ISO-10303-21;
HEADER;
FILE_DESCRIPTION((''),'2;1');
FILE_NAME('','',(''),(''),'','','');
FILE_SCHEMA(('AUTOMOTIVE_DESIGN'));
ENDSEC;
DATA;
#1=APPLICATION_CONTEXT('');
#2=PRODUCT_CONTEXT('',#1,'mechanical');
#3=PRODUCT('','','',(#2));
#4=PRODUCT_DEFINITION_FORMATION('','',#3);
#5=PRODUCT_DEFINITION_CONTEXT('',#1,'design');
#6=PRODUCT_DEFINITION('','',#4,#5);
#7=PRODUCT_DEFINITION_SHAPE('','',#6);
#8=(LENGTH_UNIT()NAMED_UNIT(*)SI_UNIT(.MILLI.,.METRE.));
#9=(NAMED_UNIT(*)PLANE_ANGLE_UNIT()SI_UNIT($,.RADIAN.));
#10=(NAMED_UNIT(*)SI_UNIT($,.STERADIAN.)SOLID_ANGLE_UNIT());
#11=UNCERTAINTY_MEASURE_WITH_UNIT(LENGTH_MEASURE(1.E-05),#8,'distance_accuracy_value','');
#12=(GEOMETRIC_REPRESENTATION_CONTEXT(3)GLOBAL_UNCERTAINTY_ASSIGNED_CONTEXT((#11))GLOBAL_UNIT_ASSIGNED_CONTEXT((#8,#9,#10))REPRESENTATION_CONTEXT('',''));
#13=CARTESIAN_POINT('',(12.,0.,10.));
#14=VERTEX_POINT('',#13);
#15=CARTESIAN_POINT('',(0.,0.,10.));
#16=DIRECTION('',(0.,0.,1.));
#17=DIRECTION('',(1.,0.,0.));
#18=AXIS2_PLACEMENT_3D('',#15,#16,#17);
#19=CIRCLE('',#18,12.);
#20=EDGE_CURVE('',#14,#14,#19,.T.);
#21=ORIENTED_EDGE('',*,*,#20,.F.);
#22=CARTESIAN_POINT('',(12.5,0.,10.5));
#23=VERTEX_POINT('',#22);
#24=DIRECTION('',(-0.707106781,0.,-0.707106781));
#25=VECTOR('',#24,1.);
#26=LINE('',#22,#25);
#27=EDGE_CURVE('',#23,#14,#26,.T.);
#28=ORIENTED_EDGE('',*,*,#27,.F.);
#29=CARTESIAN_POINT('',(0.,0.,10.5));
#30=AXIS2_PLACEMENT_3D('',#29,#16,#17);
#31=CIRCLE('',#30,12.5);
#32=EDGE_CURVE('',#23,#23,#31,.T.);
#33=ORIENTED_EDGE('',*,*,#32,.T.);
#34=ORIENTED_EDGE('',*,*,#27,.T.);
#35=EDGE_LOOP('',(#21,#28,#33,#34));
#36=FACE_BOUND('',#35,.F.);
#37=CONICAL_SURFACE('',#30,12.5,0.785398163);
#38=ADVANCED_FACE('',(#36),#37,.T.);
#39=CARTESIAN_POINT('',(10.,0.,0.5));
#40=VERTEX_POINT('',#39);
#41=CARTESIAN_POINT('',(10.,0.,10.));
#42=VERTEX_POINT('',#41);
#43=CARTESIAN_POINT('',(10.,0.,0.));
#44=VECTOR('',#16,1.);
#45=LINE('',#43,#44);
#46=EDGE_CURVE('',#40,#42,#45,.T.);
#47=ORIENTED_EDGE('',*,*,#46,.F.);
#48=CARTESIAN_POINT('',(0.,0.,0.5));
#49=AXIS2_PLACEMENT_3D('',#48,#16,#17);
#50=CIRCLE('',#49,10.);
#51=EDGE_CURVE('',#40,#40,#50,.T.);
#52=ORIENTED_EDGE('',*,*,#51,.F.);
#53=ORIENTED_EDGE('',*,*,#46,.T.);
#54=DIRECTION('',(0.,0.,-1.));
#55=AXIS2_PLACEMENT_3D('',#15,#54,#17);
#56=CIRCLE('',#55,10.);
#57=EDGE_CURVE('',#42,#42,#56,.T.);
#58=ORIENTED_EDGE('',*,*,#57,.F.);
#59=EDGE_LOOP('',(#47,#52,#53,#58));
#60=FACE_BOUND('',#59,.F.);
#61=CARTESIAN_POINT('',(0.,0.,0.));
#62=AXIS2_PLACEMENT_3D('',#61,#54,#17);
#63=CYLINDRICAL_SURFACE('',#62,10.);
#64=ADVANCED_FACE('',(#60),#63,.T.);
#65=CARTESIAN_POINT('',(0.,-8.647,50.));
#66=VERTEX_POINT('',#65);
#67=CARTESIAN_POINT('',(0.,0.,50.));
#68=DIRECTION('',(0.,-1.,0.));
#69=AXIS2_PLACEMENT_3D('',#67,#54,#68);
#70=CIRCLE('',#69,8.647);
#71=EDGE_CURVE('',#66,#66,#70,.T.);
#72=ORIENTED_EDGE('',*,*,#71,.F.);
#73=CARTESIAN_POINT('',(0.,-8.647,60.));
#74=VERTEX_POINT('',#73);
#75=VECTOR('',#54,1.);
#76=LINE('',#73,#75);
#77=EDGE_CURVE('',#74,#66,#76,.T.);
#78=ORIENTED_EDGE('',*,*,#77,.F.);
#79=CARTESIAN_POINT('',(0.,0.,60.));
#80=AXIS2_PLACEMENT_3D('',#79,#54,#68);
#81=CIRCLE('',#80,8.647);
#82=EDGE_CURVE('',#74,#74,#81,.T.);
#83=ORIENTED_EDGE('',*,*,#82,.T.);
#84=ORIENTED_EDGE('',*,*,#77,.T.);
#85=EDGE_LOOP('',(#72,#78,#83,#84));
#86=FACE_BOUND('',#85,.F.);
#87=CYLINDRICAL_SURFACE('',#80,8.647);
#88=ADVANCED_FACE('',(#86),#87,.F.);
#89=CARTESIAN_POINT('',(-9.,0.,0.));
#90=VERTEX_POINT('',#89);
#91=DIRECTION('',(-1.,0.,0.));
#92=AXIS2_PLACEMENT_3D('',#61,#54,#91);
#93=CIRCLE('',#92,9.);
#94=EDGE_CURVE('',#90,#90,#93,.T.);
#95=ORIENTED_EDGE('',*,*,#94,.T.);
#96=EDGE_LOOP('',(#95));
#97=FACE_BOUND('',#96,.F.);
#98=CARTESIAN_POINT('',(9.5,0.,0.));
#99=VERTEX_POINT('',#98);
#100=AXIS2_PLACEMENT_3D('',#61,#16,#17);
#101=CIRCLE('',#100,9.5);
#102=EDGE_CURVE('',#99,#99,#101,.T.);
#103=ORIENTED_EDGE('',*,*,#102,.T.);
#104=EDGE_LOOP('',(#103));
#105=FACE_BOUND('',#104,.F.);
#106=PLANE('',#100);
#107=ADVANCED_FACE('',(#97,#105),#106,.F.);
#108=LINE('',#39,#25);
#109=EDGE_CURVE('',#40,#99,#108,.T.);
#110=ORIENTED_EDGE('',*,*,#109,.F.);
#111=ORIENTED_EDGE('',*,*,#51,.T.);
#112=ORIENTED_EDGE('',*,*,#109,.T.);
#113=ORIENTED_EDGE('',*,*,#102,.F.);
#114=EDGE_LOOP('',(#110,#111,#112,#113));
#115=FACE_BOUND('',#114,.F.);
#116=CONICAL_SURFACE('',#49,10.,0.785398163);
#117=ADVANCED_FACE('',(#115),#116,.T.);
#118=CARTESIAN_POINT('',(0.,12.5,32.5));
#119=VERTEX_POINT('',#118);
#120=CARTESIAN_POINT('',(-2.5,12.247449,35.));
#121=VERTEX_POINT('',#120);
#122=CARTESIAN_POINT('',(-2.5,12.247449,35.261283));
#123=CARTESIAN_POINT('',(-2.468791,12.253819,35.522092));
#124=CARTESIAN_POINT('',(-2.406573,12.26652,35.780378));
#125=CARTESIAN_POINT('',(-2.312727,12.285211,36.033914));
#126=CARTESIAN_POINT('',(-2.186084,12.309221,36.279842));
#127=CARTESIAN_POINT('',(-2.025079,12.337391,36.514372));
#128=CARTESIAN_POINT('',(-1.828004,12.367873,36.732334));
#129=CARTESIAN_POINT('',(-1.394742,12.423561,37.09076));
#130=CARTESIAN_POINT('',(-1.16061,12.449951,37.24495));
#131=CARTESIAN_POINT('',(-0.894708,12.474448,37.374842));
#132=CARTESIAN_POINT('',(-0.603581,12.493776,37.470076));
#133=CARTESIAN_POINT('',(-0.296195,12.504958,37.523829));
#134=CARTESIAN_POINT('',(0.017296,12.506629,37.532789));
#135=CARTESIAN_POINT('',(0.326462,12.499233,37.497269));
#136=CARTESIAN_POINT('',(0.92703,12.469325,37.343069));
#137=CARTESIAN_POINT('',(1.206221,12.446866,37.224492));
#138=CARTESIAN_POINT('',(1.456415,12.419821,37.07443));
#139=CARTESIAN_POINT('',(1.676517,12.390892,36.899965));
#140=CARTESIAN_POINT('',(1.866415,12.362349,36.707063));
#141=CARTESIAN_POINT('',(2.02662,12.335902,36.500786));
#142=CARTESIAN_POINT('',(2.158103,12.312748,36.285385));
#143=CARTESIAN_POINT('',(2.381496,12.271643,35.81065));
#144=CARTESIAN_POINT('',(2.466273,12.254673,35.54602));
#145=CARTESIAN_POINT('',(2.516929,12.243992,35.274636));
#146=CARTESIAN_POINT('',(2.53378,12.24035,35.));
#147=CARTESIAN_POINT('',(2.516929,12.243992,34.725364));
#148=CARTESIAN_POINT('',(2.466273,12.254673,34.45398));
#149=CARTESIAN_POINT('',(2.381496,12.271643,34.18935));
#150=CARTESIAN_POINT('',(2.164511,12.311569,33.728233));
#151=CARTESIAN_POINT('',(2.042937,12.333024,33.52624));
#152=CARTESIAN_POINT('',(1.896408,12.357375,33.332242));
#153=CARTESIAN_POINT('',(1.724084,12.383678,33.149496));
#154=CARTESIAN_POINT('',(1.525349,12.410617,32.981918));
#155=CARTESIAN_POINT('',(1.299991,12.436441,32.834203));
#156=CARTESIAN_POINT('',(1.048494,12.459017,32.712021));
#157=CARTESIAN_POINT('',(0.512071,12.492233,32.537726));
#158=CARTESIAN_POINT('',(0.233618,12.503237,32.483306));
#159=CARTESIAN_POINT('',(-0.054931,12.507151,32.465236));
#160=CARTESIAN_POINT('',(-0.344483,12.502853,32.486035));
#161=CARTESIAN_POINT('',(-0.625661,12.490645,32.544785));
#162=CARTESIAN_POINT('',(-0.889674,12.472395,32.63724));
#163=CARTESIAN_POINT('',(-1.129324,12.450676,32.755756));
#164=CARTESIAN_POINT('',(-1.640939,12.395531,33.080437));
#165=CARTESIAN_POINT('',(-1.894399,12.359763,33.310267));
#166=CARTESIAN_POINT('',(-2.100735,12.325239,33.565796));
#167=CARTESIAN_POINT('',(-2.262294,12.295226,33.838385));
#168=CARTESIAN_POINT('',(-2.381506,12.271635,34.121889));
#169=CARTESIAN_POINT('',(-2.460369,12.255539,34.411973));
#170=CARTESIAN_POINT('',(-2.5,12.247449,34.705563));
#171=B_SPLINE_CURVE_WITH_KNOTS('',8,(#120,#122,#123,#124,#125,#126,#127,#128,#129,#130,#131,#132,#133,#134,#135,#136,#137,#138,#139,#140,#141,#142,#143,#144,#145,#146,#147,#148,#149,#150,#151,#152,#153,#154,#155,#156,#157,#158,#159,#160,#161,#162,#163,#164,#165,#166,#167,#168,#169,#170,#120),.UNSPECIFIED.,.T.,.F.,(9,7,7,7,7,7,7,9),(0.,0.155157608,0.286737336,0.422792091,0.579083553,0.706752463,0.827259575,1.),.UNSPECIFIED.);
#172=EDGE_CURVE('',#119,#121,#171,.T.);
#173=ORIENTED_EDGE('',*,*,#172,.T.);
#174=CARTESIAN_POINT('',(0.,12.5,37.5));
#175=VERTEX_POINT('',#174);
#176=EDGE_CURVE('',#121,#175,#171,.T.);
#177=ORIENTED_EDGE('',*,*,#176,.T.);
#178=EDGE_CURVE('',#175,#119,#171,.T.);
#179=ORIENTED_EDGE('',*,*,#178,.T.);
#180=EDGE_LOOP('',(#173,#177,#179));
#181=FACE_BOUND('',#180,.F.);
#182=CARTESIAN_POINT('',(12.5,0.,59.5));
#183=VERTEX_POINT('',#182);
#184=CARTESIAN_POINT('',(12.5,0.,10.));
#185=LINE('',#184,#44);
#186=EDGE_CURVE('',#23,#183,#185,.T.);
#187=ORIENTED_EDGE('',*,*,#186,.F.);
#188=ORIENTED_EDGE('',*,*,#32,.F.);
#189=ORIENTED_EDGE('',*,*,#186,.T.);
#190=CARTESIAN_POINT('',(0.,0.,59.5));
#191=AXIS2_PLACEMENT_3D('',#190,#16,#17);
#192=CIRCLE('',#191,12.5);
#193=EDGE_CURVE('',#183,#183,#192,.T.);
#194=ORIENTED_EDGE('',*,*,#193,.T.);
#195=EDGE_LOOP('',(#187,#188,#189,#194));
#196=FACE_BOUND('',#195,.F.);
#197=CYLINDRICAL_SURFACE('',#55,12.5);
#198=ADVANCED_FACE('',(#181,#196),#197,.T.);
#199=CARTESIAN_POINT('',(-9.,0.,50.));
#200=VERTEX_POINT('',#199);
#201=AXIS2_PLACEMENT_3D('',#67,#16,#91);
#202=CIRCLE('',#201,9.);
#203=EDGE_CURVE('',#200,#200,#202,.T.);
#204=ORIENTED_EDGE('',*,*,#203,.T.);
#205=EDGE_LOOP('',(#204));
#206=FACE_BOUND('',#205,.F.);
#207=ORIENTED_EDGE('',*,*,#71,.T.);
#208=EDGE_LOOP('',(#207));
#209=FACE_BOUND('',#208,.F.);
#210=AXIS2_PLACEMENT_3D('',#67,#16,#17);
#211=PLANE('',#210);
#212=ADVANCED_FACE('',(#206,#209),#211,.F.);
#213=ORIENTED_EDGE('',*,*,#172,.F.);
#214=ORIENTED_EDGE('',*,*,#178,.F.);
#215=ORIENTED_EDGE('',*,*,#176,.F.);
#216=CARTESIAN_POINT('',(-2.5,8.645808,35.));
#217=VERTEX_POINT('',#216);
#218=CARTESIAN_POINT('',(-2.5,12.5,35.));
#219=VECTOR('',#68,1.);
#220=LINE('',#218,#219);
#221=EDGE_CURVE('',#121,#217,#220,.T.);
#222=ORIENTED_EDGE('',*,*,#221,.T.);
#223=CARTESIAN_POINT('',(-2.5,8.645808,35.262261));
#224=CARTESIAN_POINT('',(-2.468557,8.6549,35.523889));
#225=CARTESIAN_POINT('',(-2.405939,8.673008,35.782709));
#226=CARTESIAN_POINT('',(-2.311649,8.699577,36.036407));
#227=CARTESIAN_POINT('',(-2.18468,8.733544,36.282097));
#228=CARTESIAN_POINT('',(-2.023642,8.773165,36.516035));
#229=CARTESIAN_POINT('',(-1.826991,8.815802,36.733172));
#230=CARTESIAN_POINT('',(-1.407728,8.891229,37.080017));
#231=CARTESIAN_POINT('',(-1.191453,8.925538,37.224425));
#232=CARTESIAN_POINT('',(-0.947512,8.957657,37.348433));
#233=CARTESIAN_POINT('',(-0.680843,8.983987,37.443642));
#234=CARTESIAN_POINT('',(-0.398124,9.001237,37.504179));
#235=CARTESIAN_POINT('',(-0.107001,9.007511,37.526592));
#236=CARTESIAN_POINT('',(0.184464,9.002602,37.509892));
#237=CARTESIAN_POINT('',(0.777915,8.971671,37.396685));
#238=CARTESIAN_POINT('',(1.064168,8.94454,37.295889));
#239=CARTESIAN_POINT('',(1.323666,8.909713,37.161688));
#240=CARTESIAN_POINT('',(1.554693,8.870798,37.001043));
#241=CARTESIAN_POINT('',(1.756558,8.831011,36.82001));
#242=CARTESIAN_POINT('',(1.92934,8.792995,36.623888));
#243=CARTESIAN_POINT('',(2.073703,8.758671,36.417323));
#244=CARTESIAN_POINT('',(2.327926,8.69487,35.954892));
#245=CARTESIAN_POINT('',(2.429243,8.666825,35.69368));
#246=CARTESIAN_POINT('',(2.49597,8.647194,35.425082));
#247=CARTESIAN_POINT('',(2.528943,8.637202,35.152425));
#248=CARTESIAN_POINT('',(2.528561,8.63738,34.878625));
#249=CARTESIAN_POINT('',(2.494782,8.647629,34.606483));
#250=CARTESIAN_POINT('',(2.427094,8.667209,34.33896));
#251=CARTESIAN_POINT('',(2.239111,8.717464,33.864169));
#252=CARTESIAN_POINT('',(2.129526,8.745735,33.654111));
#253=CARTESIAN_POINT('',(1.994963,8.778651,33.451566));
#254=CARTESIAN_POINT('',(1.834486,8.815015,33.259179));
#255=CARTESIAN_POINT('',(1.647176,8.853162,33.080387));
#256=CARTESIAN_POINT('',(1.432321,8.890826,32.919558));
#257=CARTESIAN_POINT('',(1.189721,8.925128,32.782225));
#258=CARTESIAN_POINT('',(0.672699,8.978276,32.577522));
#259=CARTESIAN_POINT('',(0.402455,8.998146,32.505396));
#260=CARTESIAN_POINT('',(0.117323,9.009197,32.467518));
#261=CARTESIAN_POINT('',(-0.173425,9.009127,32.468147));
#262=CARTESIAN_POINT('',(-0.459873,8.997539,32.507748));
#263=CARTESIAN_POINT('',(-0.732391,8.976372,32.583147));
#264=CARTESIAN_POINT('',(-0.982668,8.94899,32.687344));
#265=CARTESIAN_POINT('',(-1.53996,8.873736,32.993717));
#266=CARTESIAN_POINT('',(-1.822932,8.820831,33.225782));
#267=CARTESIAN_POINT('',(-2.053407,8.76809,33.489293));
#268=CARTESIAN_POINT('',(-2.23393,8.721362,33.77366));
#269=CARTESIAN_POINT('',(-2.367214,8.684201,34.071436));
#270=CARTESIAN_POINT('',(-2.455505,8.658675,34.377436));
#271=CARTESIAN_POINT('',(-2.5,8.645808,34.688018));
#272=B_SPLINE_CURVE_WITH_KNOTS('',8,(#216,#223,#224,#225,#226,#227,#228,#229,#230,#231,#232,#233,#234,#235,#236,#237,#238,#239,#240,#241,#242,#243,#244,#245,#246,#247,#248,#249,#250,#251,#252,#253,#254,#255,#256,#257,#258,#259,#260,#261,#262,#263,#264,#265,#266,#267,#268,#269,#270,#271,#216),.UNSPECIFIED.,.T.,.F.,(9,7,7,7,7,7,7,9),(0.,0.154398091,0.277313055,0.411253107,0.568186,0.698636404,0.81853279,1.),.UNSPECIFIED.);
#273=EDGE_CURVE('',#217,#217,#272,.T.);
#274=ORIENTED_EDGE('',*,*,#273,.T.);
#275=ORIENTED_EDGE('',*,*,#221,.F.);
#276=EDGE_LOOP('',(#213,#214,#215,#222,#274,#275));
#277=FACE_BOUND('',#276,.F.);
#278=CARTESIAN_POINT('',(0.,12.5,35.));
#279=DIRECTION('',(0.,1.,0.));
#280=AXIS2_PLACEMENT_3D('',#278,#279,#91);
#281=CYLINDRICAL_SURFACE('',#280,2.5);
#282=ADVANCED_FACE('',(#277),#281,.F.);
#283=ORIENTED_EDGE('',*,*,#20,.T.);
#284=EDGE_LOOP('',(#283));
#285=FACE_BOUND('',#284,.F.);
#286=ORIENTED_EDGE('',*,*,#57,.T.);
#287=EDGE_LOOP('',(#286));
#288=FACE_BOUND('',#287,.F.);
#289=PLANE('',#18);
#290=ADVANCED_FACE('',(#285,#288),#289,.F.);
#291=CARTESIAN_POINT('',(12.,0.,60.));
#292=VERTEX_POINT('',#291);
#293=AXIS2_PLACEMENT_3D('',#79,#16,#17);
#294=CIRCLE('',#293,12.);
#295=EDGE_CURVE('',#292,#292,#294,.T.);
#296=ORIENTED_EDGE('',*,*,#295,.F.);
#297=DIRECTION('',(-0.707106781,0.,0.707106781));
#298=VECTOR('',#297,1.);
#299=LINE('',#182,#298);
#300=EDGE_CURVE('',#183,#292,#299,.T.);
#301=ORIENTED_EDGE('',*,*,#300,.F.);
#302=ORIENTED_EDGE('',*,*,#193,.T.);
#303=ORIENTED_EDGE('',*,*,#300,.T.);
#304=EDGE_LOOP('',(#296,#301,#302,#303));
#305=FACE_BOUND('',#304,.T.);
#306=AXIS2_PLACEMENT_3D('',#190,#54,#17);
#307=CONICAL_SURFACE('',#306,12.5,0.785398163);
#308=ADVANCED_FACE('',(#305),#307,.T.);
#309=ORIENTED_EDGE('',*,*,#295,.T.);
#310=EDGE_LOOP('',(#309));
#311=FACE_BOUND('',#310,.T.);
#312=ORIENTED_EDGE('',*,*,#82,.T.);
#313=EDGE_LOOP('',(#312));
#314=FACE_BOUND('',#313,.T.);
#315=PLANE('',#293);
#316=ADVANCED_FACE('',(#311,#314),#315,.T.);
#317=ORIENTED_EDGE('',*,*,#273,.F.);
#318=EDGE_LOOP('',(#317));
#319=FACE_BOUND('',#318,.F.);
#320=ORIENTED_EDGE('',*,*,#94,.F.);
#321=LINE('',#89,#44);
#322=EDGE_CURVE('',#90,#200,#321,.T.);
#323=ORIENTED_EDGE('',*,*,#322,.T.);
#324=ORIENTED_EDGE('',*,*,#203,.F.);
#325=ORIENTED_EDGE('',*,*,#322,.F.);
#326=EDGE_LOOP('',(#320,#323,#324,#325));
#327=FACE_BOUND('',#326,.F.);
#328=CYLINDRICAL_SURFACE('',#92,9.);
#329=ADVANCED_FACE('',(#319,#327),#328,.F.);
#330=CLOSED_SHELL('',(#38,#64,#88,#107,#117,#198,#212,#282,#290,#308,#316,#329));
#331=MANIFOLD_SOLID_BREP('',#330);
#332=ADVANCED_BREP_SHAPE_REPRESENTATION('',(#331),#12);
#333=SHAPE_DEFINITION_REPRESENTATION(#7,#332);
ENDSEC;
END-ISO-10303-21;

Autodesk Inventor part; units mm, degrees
ref_plane "YZ Plane" through (0, 0, 0) normal (1, 0, 0) x (0, 1, 0)
ref_plane "XY Plane" through (0, 0, 0) normal (0, 0, 1) x (1, 0, 0)
sketch "Skizze1" plane through (0, 0, 0) normal (0, 0, 1) x (1, 0, 0)
  line L0 (-14, 0) -> (14, 0) projected
  line L1 (0, -14) -> (0, 14) projected
  circle A0 centre (0, 0) radius 10
  dimension "d0" = 20
extrude "Extrusion1" add sketch "Skizze1" along normal blind 10
sketch "Skizze2" plane through (0, 0, 10) normal (0, 0, 1) x (1, 0, 0)
  circle A0 centre (0, 0) radius 12.5
  dimension "d3" = 25
extrude "Extrusion2" add sketch "Skizze2" along normal blind 50
sketch "Skizze3" plane through (0, 0, 60) normal (0, 0, 1) x (1, 0, 0)
  circle A0 centre (0, 0) radius 10
  dimension "d6" = 20
extrude "Extrusion3" add sketch "Skizze3" along normal blind 10
thread "Gewinde1" size "M20x2.5" class "6g" standard "ANSI Metric M Profile" length 10
thread "Gewinde2" size "M20x2.5" class "6g" standard "ANSI Metric M Profile" length 10
sketch "Skizze4" plane through (0, 0, 0) normal (0, 0, -1) x (-1, 0, 0)
  circle A0 centre (0, 0) radius 9
  dimension "d13" = 18
extrude "Extrusion4" cut sketch "Skizze4" against normal blind 70
ref_plane "Arbeitsebene1" through (0, 12.5, 0) normal (0, 1, 0) x (-1, 0, 0)
sketch "Skizze5" plane through (0, 0, 0) normal (0, 1, 0) x (-1, 0, 0)
  point P0 (0, 0)
sketch "Skizze6" plane through (0, 12.5, 0) normal (0, 1, 0) x (-1, 0, 0)
  circle A0 centre (0, 35) radius 2.5
  point P0 (0, 0)
  dimension "d17" = 35
  dimension "d18" = 5
extrude "Extrusion5" cut sketch "Skizze6" against normal blind 5
chamfer "Fase1" distance 0.5 angle 45 4 edges at (-10, 0, 0) (-10, 0, 70) (-12.5, 0, 10) (-12.5, 0, 60)
sketch "Skizze7" plane through (0, 0, 0) normal (0, 0, -1) x (-1, 0, 0)
  point P0 (0, 0)
  point P1 (0, 0)
sketch "Skizze8" plane through (0, 0, 70) normal (0, 0, 1) x (1, 0, 0)
  circle A0 centre (0, 0) radius 9 projected
  circle A1 centre (0, 0) radius 11.265
extrude "Extrusion6" cut sketch "Skizze8" against normal blind 10 contours A0 | A1
sketch "Skizze9" plane through (0, 0, 60) normal (0, 0, 1) x (1, 0, 0)
  circle A0 centre (0, 0) radius 9
extrude "Extrusion7" add sketch "Skizze9" against normal blind 10
sketch "Skizze10" plane through (0, 0, 60) normal (0, 0, 1) x (1, 0, 0)
  point P0 (0, 0)
hole "Bohrung1" at (0, 0, 60) direction (0, 0, -1) diameter 17.294 end through all thread size "M20x2.5" class "6H" standard "ISO Metric profile"
properties part number "VentilNukleator"
